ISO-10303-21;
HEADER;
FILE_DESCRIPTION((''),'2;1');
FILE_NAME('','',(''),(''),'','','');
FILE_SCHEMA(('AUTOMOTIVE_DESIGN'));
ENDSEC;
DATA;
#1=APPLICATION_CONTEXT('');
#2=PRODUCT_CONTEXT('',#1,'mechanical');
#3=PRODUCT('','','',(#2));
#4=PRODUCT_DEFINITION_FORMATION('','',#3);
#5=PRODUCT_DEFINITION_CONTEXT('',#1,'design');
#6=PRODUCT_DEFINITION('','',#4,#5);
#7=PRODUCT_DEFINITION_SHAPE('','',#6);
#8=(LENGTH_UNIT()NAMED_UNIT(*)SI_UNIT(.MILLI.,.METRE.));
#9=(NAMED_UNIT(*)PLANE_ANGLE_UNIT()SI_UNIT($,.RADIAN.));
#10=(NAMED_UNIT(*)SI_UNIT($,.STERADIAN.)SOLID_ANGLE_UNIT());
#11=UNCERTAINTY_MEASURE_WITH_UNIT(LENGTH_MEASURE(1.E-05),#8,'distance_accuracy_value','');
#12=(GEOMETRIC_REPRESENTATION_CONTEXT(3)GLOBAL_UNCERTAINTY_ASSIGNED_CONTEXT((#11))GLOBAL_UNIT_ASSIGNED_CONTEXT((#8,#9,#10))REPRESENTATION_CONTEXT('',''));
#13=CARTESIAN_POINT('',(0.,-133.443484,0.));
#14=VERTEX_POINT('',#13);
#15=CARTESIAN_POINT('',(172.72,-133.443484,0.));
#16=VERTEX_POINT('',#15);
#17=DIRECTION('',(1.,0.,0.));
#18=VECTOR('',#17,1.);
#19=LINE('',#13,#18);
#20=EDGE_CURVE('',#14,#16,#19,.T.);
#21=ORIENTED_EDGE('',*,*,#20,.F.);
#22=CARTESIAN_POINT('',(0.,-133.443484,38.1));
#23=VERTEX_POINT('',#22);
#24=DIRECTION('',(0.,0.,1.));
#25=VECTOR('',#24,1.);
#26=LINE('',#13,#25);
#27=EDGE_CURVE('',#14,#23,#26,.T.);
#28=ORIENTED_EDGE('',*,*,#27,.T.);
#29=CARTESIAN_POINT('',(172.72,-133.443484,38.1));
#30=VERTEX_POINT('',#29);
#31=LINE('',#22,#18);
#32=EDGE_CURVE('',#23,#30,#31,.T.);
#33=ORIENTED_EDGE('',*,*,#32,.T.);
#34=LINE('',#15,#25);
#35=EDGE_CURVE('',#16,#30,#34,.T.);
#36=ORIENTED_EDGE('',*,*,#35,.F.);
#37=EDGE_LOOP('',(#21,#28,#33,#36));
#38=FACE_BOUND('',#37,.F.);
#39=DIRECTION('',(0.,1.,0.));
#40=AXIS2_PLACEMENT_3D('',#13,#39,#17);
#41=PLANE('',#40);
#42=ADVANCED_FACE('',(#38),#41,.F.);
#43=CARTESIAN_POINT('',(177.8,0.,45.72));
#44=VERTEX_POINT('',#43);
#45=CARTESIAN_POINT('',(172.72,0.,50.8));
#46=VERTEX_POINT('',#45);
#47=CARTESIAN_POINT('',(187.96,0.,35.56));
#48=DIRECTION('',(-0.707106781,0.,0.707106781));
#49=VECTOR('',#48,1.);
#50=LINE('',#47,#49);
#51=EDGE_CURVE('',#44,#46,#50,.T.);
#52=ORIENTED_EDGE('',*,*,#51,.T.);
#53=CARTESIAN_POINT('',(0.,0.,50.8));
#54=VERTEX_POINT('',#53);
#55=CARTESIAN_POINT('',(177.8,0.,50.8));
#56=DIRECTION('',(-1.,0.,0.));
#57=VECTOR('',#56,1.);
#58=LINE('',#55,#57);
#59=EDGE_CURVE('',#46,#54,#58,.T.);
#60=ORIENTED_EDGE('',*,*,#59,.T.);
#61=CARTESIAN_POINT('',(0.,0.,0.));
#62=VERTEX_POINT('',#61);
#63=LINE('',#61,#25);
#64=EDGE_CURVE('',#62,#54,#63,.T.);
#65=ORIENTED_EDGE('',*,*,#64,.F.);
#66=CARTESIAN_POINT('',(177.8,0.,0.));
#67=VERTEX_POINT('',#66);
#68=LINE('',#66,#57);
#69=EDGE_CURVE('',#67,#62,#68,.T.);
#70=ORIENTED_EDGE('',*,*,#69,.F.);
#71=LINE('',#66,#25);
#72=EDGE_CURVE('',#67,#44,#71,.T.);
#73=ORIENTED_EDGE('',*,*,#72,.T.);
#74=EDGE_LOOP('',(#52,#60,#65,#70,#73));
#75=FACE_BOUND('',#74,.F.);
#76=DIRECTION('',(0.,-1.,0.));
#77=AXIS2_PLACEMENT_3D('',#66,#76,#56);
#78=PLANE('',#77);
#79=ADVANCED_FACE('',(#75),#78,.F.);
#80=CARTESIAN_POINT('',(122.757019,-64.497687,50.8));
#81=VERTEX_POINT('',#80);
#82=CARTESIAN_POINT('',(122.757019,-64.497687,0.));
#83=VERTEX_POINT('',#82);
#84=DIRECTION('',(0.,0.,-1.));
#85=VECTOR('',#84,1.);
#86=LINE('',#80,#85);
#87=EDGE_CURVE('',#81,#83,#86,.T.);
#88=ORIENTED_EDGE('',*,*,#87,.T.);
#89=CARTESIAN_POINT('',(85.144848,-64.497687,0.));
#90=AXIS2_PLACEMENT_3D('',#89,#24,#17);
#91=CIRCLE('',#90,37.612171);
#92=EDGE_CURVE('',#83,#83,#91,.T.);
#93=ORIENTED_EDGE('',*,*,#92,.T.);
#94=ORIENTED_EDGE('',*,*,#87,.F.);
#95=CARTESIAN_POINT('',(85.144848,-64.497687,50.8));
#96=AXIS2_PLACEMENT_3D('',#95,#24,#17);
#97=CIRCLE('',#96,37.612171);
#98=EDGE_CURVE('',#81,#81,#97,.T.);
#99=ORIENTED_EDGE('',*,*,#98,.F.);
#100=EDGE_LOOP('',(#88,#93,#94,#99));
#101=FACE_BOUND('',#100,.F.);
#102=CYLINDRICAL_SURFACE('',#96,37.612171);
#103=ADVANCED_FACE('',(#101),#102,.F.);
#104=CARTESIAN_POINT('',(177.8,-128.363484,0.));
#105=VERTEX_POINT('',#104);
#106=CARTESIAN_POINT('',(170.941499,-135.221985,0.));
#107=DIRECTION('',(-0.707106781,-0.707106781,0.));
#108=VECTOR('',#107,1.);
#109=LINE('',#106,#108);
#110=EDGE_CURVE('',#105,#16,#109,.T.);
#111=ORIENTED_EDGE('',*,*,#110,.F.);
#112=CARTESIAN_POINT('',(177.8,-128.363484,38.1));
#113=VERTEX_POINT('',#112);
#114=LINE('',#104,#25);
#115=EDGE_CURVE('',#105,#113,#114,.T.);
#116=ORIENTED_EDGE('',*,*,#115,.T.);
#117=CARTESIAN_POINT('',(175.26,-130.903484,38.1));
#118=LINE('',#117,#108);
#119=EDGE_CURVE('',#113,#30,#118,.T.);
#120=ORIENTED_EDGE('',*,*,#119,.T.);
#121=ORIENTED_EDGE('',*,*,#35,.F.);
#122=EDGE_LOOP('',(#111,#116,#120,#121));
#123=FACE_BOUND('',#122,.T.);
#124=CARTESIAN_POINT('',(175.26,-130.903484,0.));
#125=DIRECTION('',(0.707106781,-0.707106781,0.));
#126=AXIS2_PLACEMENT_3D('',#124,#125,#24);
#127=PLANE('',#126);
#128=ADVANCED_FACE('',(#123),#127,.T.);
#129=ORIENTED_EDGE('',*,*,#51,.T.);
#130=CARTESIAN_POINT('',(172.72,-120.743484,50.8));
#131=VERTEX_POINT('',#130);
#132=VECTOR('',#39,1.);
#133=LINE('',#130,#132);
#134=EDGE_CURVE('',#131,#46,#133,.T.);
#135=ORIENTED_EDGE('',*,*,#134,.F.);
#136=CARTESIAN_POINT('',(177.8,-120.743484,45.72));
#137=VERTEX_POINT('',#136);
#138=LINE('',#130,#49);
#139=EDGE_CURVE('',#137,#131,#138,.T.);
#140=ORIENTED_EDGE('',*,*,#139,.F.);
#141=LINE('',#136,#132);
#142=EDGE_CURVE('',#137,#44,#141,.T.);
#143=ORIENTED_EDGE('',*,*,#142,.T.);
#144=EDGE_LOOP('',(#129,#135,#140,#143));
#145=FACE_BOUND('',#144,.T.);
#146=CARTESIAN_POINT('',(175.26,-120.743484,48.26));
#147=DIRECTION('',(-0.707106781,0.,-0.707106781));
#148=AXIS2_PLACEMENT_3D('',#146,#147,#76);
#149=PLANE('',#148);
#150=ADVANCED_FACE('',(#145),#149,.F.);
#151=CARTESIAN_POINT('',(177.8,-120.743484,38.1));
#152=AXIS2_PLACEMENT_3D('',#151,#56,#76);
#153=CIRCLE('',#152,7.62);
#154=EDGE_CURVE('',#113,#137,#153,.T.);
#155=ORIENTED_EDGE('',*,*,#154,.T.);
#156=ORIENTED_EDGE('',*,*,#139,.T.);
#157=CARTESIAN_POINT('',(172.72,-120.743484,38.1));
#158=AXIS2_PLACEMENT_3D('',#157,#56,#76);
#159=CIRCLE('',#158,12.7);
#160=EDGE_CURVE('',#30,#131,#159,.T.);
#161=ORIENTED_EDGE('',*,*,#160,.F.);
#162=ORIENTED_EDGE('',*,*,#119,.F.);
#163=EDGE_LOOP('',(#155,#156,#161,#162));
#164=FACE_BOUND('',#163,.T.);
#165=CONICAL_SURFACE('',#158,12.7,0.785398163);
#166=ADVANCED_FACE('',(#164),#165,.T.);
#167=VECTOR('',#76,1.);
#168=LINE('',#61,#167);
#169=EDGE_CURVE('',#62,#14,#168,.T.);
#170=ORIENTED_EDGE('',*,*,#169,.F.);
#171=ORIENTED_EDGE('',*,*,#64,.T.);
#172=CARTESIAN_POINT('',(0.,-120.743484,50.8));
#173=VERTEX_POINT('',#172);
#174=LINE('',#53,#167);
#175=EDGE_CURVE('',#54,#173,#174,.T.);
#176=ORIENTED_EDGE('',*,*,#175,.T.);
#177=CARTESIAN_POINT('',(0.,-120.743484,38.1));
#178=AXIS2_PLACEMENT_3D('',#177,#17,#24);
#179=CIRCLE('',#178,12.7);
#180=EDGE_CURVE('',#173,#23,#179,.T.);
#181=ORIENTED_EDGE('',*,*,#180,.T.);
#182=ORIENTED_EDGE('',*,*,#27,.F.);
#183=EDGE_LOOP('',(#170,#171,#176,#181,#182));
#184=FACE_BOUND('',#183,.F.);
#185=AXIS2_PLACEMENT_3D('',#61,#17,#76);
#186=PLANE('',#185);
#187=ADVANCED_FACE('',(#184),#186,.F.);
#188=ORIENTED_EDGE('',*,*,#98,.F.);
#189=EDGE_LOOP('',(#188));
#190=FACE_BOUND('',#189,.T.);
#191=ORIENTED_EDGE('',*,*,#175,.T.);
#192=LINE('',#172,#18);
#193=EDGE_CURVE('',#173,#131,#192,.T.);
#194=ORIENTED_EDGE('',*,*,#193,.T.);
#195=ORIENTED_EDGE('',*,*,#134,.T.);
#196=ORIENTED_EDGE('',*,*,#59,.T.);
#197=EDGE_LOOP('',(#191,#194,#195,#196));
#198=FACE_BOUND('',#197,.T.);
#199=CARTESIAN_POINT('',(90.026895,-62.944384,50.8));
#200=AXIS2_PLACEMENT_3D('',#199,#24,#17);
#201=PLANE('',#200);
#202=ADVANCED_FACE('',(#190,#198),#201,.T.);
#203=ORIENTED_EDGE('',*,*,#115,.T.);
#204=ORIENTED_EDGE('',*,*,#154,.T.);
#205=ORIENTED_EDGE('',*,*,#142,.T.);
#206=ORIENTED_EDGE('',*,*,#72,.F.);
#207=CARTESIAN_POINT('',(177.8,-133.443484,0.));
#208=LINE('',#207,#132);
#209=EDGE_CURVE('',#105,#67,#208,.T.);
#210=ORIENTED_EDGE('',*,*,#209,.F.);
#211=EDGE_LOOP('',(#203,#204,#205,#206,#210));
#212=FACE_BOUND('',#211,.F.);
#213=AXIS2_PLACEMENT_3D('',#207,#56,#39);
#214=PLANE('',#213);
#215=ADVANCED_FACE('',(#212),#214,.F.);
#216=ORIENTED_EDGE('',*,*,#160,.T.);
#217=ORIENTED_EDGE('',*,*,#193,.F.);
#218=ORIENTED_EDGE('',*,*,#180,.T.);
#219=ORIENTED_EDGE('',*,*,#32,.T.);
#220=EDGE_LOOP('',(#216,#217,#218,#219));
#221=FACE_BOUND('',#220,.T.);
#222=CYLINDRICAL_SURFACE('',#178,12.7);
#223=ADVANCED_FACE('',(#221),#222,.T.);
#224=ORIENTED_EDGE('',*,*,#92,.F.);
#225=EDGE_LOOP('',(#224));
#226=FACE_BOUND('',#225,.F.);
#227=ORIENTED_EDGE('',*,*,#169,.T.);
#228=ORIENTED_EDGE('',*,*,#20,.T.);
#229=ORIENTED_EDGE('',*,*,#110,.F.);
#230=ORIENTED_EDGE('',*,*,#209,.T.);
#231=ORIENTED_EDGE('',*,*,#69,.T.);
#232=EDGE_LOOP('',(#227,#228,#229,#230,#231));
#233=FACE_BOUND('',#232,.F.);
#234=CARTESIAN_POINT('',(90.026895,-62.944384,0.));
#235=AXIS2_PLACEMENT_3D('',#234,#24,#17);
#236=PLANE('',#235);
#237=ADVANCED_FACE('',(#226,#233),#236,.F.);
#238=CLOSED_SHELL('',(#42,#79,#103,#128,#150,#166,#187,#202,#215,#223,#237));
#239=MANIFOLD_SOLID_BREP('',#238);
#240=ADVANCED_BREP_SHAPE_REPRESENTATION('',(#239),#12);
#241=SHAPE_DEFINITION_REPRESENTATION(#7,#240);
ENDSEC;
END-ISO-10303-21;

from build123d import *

# Parameters (mm, degrees)
F0_W     = 109.517686
F0_H     = 66.721742
F1_DEPTH = 50.8
F2_R     = 37.612171
F3_DEPTH = 50.801
F4_R     = 12.7
F5_SIZE  = 5.08


with BuildPart() as f1:
    # F0 (on Top) → F1 (new body)
    with BuildSketch(Plane.XY):
        Polygon((177.8, 0), (0, 0), (0, -133.443484), (40.524788, -133.443484), (40.524788, -66.721742), (150.042474, -66.721742), (150.042474, -133.443484), (177.8, -133.443484), align=None)
        with Locations((95.283631, -100.082613)):
            Rectangle(F0_W, F0_H)
    extrude(amount=F1_DEPTH)

    # F2 (on face) → F3 (cut, through all)
    with BuildSketch(Plane.XY.offset(50.8)):
        with Locations((85.144848, -64.497687)):
            Circle(F2_R)
    extrude(amount=-F3_DEPTH, mode=Mode.SUBTRACT)

    # F4
    f4_edges = [f1.edges().sort_by_distance(p)[0] for p in [
        (88.9, -133.443484, 50.8),
    ]]
    fillet(f4_edges, radius=F4_R)

    # F5
    f5_edges = [f1.edges().sort_by_distance(p)[0] for p in [
        (177.8, -60.371742, 50.8),
    ]]
    chamfer(f5_edges, length=F5_SIZE)


solid = f1.part
